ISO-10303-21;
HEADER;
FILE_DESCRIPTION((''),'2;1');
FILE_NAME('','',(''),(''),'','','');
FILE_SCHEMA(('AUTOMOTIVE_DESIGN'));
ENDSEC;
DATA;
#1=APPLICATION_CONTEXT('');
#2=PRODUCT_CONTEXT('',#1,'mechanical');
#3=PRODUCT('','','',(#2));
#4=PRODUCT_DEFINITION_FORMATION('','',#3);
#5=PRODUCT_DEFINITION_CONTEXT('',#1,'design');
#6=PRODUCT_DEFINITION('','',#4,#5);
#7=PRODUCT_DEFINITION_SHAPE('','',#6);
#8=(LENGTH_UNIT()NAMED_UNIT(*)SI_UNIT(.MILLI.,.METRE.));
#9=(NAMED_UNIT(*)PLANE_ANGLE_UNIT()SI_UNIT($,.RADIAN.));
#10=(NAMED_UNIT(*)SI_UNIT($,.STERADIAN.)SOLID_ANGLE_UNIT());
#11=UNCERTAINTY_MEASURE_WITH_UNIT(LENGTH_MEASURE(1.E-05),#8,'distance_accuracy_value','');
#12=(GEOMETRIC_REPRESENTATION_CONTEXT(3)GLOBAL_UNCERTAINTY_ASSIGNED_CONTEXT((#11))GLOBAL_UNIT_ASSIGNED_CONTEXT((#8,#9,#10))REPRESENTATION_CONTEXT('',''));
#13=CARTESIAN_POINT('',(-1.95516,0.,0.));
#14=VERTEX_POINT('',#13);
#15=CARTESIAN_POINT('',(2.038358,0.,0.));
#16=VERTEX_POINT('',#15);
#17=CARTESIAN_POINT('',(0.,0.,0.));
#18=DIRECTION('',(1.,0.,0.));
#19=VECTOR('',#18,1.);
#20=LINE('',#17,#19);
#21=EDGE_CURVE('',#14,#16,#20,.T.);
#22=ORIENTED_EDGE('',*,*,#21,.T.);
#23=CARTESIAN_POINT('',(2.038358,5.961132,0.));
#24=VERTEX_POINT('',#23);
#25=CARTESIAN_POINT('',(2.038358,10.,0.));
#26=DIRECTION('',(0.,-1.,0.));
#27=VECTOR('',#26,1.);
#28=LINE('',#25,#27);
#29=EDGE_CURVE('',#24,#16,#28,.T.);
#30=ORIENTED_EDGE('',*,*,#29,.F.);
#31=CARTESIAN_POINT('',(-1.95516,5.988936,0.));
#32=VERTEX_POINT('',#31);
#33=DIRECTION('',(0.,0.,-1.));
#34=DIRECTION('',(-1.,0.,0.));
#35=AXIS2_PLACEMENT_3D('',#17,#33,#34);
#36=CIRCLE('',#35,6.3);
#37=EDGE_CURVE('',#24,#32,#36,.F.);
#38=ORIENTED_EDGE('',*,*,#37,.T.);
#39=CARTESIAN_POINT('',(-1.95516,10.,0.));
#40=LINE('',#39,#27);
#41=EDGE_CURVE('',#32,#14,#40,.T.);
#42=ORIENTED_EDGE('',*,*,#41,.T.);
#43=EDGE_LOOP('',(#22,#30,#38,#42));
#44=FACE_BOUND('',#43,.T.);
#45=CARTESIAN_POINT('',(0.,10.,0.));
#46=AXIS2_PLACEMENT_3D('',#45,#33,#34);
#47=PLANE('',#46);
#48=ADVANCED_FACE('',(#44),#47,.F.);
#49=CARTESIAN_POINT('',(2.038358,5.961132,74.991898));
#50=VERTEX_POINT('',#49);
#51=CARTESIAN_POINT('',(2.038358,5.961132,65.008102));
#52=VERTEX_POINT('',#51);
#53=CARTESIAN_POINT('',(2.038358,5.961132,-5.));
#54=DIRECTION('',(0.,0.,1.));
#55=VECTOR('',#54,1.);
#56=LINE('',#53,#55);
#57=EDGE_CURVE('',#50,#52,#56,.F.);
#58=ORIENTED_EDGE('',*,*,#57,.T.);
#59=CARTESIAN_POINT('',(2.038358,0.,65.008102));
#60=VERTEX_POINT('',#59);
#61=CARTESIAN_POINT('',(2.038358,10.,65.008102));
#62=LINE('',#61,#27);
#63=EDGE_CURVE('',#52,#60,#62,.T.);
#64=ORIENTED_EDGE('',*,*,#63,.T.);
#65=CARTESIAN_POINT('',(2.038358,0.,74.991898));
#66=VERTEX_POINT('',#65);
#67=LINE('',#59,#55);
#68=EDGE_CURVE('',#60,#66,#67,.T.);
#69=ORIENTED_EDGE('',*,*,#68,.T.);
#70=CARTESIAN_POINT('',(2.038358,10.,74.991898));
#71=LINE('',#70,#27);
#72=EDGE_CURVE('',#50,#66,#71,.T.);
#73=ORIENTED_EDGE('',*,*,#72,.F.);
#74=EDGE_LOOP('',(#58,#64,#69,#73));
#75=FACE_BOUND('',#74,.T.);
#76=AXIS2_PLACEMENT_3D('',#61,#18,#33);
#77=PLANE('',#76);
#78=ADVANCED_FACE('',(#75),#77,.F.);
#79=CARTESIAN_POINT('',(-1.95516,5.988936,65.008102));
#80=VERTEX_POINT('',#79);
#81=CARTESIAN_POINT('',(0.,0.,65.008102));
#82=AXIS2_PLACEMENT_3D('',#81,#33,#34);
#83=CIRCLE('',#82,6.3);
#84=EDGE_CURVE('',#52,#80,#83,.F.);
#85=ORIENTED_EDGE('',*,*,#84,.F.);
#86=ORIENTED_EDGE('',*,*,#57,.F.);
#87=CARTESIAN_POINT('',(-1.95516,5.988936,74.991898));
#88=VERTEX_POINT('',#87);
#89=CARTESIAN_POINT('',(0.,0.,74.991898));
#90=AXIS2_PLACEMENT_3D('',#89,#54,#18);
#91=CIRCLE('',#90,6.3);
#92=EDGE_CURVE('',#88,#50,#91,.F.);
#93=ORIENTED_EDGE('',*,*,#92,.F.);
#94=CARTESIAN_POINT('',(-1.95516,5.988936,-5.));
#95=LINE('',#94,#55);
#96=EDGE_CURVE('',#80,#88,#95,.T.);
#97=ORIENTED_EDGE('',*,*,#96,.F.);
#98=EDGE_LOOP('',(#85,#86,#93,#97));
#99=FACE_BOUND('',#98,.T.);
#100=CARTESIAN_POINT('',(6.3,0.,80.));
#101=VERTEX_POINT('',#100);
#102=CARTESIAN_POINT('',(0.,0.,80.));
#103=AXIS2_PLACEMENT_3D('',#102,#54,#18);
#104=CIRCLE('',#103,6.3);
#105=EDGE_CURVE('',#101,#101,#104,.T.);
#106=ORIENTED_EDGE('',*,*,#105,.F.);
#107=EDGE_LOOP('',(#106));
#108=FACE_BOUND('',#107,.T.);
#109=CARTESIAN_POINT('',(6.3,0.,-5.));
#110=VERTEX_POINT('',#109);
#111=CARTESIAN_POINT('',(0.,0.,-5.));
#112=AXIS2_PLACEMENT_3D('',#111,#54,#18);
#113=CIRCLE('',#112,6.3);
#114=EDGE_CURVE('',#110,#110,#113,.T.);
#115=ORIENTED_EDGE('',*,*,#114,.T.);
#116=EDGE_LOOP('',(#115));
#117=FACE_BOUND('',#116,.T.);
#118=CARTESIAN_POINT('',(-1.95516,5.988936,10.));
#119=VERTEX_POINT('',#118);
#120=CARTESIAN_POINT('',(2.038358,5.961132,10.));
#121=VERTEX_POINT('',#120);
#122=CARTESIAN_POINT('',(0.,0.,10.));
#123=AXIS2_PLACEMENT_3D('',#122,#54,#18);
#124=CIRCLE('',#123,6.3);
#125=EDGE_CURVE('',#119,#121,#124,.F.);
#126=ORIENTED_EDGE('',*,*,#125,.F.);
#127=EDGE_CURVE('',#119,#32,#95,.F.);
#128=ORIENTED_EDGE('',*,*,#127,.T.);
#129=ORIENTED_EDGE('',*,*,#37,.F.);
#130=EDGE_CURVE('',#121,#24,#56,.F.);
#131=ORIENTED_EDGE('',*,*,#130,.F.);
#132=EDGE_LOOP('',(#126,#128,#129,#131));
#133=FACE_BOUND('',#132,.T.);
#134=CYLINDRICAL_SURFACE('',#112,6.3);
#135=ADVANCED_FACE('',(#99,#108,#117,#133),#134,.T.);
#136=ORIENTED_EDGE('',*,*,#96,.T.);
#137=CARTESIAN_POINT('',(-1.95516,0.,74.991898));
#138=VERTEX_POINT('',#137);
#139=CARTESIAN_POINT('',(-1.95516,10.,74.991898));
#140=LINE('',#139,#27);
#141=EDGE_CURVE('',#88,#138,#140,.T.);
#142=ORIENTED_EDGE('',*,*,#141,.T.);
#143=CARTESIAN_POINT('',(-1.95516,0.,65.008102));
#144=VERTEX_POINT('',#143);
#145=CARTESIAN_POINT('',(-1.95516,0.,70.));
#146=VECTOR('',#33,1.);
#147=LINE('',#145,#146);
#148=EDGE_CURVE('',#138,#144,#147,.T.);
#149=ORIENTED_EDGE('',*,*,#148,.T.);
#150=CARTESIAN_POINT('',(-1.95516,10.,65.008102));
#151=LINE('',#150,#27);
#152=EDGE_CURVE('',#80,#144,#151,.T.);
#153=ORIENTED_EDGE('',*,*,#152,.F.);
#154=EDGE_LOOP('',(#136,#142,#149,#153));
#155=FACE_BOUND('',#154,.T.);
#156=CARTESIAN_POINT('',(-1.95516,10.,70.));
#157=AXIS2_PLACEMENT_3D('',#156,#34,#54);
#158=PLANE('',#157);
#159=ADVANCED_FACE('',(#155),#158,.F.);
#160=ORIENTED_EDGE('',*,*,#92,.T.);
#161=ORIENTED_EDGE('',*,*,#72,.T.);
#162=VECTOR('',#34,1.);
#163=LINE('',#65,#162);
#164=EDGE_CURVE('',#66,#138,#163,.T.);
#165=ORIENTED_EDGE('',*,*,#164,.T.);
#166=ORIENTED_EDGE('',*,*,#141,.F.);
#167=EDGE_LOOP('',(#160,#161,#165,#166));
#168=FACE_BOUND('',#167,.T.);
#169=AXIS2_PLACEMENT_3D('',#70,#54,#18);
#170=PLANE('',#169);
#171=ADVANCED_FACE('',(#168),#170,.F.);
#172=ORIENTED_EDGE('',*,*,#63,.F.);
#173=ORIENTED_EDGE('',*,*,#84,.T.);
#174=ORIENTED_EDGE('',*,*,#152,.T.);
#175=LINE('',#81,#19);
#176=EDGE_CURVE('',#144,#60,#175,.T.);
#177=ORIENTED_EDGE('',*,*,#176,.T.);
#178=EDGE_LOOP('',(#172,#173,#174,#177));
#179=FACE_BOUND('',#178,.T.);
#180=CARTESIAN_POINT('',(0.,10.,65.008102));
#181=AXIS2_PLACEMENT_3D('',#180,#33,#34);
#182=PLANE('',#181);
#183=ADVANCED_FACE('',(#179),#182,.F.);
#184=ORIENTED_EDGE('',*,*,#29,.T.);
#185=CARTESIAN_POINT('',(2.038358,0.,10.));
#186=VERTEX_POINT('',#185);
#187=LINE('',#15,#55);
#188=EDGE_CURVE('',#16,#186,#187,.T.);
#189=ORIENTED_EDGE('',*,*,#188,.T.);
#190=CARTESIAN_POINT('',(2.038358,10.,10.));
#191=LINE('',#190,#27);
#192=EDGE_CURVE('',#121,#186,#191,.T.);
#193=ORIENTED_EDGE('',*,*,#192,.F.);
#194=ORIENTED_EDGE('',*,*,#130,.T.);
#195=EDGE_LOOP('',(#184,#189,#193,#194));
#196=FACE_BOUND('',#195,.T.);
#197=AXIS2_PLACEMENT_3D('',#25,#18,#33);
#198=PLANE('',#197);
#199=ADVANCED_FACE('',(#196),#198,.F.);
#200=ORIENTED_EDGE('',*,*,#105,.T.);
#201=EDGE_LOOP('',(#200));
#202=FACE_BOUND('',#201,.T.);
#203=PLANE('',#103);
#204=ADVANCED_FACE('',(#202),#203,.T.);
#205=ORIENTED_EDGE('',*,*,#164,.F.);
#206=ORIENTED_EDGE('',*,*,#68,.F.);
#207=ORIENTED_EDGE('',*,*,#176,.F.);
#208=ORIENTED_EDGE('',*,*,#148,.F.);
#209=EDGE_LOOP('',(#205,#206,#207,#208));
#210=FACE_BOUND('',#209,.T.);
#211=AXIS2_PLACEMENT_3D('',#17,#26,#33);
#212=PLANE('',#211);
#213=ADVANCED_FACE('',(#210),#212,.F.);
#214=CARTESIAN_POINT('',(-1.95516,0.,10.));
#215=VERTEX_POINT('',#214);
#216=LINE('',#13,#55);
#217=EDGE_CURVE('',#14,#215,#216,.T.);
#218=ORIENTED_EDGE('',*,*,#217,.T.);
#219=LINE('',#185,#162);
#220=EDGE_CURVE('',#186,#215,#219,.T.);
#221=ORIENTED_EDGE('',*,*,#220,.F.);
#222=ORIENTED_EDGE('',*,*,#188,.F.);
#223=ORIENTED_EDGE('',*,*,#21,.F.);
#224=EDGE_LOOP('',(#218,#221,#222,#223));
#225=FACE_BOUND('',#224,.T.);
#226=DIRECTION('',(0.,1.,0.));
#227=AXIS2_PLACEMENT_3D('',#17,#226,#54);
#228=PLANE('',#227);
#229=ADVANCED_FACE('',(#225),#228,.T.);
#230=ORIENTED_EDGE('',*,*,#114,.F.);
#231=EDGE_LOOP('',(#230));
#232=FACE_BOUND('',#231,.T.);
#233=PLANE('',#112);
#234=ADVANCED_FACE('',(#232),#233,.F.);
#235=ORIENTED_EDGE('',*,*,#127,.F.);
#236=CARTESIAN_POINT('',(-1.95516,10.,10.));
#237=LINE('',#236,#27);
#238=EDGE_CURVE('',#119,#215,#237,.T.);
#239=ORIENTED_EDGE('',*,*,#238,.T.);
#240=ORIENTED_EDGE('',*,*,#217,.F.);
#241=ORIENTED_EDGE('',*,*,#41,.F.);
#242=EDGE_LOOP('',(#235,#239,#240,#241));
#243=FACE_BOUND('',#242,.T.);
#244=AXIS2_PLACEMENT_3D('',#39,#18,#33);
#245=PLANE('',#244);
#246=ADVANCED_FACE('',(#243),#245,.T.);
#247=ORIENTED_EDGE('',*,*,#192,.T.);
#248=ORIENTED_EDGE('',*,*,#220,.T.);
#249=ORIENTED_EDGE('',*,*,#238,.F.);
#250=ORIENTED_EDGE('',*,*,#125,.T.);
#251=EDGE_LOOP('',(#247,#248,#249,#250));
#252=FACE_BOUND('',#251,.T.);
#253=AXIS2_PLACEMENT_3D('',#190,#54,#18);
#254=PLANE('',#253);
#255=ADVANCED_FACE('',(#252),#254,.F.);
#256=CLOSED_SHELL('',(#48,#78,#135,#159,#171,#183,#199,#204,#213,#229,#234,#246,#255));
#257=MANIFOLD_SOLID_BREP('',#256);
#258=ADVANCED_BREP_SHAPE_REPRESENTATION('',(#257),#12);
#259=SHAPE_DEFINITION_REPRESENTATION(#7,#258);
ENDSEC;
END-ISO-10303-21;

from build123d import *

# Parameters (mm, degrees)
BOSS_EXTRUDE1_DEPTH      = 80
BOSS_EXTRUDE1_DEPTH_BACK = 5
SKETCH1_R                = 6.3
CUT_EXTRUDE1_DEPTH       = 10


with BuildPart() as part:
    # Sketch1 → Boss-Extrude1 (new, two sides: drawn at the far end of the back side and taken through both)
    with BuildSketch(Plane.XY.offset(-BOSS_EXTRUDE1_DEPTH_BACK)):
        Circle(SKETCH1_R)
    extrude(amount=BOSS_EXTRUDE1_DEPTH + BOSS_EXTRUDE1_DEPTH_BACK)

    # Sketch6 → Cut-Extrude1 (cut)
    with BuildSketch(Plane(origin=(0, 0, 0), x_dir=(1, 0, 0), z_dir=(0, 1, 0))):
        Polygon((-1.955160092, -70), (-1.955160092, -65.008101893), (0, -65.008101893), (2.038358394, -65.008101893), (2.038358394, -74.991898107), (-1.955160092, -74.991898107), align=None)
        Polygon((0, 0), (-1.955160092, 0), (-1.955160092, -10), (2.038358394, -10), (2.038358394, 0), align=None)
    extrude(amount=CUT_EXTRUDE1_DEPTH, mode=Mode.SUBTRACT)


solid = part.part
